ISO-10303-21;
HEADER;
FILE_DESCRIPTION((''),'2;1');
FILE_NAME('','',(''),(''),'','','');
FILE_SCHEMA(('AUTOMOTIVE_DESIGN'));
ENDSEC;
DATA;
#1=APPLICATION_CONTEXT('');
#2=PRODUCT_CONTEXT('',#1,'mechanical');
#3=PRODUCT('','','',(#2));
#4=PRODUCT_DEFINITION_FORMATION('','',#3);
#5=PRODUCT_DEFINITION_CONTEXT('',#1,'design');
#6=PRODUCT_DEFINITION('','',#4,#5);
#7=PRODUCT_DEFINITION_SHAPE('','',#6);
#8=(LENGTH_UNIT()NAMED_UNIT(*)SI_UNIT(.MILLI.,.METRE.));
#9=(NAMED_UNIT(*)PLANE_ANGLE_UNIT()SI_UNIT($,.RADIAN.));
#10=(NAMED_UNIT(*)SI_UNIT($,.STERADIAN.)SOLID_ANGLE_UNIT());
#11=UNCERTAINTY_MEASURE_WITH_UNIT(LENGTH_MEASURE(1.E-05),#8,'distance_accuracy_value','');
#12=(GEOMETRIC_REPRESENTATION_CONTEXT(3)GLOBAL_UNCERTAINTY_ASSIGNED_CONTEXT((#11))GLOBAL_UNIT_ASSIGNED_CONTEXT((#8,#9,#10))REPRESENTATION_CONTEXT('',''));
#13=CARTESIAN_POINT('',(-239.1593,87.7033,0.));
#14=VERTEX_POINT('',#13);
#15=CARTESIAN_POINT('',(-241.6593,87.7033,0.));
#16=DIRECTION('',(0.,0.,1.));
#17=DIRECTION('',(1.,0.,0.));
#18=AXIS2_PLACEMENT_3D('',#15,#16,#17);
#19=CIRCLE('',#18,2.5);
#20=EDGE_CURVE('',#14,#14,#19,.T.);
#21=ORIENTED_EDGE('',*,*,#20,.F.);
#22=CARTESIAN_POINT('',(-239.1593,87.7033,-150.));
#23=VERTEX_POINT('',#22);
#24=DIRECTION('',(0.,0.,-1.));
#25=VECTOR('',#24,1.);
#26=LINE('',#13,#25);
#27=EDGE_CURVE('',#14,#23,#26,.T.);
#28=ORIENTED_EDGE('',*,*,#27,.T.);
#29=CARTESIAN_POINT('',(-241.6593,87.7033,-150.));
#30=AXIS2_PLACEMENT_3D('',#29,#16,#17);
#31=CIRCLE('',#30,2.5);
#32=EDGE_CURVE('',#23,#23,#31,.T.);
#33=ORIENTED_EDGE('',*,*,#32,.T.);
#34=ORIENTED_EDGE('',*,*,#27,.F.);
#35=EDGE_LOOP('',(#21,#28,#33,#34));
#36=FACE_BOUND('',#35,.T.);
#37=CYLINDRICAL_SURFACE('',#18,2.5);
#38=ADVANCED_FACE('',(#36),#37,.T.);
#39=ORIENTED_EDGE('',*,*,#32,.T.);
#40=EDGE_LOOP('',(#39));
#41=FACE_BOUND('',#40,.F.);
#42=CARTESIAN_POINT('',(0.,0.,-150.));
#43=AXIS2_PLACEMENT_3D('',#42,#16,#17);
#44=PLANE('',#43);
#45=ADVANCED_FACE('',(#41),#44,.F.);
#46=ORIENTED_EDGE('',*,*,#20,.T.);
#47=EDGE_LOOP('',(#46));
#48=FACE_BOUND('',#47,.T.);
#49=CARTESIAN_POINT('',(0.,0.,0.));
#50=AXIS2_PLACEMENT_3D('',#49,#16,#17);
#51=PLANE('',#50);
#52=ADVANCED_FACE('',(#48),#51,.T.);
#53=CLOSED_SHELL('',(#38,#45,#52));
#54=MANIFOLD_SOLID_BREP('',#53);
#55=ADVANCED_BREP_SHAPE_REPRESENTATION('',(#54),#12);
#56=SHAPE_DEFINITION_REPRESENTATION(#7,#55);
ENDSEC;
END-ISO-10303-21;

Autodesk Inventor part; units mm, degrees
ref_plane "YZ Plane" through (0, 0, 0) normal (1, 0, 0) x (0, 1, 0)
ref_plane "XZ Plane" through (0, 0, 0) normal (0, 1, 0) x (-1, 0, 0)
ref_plane "XY Plane" through (0, 0, 0) normal (0, 0, 1) x (1, 0, 0)
sketch "Sketch1" plane through (0, 0, 0) normal (0, 0, 1) x (1, 0, 0)
  circle A0 centre (-241.6593, 87.7033) radius 2.5
  point P0 (0, 0)
  dimension "d0" = 5
  dimension "d0" = 5
extrude "Extrusion1" add sketch "Sketch1" against normal blind 150
properties part number "LidScrews"
